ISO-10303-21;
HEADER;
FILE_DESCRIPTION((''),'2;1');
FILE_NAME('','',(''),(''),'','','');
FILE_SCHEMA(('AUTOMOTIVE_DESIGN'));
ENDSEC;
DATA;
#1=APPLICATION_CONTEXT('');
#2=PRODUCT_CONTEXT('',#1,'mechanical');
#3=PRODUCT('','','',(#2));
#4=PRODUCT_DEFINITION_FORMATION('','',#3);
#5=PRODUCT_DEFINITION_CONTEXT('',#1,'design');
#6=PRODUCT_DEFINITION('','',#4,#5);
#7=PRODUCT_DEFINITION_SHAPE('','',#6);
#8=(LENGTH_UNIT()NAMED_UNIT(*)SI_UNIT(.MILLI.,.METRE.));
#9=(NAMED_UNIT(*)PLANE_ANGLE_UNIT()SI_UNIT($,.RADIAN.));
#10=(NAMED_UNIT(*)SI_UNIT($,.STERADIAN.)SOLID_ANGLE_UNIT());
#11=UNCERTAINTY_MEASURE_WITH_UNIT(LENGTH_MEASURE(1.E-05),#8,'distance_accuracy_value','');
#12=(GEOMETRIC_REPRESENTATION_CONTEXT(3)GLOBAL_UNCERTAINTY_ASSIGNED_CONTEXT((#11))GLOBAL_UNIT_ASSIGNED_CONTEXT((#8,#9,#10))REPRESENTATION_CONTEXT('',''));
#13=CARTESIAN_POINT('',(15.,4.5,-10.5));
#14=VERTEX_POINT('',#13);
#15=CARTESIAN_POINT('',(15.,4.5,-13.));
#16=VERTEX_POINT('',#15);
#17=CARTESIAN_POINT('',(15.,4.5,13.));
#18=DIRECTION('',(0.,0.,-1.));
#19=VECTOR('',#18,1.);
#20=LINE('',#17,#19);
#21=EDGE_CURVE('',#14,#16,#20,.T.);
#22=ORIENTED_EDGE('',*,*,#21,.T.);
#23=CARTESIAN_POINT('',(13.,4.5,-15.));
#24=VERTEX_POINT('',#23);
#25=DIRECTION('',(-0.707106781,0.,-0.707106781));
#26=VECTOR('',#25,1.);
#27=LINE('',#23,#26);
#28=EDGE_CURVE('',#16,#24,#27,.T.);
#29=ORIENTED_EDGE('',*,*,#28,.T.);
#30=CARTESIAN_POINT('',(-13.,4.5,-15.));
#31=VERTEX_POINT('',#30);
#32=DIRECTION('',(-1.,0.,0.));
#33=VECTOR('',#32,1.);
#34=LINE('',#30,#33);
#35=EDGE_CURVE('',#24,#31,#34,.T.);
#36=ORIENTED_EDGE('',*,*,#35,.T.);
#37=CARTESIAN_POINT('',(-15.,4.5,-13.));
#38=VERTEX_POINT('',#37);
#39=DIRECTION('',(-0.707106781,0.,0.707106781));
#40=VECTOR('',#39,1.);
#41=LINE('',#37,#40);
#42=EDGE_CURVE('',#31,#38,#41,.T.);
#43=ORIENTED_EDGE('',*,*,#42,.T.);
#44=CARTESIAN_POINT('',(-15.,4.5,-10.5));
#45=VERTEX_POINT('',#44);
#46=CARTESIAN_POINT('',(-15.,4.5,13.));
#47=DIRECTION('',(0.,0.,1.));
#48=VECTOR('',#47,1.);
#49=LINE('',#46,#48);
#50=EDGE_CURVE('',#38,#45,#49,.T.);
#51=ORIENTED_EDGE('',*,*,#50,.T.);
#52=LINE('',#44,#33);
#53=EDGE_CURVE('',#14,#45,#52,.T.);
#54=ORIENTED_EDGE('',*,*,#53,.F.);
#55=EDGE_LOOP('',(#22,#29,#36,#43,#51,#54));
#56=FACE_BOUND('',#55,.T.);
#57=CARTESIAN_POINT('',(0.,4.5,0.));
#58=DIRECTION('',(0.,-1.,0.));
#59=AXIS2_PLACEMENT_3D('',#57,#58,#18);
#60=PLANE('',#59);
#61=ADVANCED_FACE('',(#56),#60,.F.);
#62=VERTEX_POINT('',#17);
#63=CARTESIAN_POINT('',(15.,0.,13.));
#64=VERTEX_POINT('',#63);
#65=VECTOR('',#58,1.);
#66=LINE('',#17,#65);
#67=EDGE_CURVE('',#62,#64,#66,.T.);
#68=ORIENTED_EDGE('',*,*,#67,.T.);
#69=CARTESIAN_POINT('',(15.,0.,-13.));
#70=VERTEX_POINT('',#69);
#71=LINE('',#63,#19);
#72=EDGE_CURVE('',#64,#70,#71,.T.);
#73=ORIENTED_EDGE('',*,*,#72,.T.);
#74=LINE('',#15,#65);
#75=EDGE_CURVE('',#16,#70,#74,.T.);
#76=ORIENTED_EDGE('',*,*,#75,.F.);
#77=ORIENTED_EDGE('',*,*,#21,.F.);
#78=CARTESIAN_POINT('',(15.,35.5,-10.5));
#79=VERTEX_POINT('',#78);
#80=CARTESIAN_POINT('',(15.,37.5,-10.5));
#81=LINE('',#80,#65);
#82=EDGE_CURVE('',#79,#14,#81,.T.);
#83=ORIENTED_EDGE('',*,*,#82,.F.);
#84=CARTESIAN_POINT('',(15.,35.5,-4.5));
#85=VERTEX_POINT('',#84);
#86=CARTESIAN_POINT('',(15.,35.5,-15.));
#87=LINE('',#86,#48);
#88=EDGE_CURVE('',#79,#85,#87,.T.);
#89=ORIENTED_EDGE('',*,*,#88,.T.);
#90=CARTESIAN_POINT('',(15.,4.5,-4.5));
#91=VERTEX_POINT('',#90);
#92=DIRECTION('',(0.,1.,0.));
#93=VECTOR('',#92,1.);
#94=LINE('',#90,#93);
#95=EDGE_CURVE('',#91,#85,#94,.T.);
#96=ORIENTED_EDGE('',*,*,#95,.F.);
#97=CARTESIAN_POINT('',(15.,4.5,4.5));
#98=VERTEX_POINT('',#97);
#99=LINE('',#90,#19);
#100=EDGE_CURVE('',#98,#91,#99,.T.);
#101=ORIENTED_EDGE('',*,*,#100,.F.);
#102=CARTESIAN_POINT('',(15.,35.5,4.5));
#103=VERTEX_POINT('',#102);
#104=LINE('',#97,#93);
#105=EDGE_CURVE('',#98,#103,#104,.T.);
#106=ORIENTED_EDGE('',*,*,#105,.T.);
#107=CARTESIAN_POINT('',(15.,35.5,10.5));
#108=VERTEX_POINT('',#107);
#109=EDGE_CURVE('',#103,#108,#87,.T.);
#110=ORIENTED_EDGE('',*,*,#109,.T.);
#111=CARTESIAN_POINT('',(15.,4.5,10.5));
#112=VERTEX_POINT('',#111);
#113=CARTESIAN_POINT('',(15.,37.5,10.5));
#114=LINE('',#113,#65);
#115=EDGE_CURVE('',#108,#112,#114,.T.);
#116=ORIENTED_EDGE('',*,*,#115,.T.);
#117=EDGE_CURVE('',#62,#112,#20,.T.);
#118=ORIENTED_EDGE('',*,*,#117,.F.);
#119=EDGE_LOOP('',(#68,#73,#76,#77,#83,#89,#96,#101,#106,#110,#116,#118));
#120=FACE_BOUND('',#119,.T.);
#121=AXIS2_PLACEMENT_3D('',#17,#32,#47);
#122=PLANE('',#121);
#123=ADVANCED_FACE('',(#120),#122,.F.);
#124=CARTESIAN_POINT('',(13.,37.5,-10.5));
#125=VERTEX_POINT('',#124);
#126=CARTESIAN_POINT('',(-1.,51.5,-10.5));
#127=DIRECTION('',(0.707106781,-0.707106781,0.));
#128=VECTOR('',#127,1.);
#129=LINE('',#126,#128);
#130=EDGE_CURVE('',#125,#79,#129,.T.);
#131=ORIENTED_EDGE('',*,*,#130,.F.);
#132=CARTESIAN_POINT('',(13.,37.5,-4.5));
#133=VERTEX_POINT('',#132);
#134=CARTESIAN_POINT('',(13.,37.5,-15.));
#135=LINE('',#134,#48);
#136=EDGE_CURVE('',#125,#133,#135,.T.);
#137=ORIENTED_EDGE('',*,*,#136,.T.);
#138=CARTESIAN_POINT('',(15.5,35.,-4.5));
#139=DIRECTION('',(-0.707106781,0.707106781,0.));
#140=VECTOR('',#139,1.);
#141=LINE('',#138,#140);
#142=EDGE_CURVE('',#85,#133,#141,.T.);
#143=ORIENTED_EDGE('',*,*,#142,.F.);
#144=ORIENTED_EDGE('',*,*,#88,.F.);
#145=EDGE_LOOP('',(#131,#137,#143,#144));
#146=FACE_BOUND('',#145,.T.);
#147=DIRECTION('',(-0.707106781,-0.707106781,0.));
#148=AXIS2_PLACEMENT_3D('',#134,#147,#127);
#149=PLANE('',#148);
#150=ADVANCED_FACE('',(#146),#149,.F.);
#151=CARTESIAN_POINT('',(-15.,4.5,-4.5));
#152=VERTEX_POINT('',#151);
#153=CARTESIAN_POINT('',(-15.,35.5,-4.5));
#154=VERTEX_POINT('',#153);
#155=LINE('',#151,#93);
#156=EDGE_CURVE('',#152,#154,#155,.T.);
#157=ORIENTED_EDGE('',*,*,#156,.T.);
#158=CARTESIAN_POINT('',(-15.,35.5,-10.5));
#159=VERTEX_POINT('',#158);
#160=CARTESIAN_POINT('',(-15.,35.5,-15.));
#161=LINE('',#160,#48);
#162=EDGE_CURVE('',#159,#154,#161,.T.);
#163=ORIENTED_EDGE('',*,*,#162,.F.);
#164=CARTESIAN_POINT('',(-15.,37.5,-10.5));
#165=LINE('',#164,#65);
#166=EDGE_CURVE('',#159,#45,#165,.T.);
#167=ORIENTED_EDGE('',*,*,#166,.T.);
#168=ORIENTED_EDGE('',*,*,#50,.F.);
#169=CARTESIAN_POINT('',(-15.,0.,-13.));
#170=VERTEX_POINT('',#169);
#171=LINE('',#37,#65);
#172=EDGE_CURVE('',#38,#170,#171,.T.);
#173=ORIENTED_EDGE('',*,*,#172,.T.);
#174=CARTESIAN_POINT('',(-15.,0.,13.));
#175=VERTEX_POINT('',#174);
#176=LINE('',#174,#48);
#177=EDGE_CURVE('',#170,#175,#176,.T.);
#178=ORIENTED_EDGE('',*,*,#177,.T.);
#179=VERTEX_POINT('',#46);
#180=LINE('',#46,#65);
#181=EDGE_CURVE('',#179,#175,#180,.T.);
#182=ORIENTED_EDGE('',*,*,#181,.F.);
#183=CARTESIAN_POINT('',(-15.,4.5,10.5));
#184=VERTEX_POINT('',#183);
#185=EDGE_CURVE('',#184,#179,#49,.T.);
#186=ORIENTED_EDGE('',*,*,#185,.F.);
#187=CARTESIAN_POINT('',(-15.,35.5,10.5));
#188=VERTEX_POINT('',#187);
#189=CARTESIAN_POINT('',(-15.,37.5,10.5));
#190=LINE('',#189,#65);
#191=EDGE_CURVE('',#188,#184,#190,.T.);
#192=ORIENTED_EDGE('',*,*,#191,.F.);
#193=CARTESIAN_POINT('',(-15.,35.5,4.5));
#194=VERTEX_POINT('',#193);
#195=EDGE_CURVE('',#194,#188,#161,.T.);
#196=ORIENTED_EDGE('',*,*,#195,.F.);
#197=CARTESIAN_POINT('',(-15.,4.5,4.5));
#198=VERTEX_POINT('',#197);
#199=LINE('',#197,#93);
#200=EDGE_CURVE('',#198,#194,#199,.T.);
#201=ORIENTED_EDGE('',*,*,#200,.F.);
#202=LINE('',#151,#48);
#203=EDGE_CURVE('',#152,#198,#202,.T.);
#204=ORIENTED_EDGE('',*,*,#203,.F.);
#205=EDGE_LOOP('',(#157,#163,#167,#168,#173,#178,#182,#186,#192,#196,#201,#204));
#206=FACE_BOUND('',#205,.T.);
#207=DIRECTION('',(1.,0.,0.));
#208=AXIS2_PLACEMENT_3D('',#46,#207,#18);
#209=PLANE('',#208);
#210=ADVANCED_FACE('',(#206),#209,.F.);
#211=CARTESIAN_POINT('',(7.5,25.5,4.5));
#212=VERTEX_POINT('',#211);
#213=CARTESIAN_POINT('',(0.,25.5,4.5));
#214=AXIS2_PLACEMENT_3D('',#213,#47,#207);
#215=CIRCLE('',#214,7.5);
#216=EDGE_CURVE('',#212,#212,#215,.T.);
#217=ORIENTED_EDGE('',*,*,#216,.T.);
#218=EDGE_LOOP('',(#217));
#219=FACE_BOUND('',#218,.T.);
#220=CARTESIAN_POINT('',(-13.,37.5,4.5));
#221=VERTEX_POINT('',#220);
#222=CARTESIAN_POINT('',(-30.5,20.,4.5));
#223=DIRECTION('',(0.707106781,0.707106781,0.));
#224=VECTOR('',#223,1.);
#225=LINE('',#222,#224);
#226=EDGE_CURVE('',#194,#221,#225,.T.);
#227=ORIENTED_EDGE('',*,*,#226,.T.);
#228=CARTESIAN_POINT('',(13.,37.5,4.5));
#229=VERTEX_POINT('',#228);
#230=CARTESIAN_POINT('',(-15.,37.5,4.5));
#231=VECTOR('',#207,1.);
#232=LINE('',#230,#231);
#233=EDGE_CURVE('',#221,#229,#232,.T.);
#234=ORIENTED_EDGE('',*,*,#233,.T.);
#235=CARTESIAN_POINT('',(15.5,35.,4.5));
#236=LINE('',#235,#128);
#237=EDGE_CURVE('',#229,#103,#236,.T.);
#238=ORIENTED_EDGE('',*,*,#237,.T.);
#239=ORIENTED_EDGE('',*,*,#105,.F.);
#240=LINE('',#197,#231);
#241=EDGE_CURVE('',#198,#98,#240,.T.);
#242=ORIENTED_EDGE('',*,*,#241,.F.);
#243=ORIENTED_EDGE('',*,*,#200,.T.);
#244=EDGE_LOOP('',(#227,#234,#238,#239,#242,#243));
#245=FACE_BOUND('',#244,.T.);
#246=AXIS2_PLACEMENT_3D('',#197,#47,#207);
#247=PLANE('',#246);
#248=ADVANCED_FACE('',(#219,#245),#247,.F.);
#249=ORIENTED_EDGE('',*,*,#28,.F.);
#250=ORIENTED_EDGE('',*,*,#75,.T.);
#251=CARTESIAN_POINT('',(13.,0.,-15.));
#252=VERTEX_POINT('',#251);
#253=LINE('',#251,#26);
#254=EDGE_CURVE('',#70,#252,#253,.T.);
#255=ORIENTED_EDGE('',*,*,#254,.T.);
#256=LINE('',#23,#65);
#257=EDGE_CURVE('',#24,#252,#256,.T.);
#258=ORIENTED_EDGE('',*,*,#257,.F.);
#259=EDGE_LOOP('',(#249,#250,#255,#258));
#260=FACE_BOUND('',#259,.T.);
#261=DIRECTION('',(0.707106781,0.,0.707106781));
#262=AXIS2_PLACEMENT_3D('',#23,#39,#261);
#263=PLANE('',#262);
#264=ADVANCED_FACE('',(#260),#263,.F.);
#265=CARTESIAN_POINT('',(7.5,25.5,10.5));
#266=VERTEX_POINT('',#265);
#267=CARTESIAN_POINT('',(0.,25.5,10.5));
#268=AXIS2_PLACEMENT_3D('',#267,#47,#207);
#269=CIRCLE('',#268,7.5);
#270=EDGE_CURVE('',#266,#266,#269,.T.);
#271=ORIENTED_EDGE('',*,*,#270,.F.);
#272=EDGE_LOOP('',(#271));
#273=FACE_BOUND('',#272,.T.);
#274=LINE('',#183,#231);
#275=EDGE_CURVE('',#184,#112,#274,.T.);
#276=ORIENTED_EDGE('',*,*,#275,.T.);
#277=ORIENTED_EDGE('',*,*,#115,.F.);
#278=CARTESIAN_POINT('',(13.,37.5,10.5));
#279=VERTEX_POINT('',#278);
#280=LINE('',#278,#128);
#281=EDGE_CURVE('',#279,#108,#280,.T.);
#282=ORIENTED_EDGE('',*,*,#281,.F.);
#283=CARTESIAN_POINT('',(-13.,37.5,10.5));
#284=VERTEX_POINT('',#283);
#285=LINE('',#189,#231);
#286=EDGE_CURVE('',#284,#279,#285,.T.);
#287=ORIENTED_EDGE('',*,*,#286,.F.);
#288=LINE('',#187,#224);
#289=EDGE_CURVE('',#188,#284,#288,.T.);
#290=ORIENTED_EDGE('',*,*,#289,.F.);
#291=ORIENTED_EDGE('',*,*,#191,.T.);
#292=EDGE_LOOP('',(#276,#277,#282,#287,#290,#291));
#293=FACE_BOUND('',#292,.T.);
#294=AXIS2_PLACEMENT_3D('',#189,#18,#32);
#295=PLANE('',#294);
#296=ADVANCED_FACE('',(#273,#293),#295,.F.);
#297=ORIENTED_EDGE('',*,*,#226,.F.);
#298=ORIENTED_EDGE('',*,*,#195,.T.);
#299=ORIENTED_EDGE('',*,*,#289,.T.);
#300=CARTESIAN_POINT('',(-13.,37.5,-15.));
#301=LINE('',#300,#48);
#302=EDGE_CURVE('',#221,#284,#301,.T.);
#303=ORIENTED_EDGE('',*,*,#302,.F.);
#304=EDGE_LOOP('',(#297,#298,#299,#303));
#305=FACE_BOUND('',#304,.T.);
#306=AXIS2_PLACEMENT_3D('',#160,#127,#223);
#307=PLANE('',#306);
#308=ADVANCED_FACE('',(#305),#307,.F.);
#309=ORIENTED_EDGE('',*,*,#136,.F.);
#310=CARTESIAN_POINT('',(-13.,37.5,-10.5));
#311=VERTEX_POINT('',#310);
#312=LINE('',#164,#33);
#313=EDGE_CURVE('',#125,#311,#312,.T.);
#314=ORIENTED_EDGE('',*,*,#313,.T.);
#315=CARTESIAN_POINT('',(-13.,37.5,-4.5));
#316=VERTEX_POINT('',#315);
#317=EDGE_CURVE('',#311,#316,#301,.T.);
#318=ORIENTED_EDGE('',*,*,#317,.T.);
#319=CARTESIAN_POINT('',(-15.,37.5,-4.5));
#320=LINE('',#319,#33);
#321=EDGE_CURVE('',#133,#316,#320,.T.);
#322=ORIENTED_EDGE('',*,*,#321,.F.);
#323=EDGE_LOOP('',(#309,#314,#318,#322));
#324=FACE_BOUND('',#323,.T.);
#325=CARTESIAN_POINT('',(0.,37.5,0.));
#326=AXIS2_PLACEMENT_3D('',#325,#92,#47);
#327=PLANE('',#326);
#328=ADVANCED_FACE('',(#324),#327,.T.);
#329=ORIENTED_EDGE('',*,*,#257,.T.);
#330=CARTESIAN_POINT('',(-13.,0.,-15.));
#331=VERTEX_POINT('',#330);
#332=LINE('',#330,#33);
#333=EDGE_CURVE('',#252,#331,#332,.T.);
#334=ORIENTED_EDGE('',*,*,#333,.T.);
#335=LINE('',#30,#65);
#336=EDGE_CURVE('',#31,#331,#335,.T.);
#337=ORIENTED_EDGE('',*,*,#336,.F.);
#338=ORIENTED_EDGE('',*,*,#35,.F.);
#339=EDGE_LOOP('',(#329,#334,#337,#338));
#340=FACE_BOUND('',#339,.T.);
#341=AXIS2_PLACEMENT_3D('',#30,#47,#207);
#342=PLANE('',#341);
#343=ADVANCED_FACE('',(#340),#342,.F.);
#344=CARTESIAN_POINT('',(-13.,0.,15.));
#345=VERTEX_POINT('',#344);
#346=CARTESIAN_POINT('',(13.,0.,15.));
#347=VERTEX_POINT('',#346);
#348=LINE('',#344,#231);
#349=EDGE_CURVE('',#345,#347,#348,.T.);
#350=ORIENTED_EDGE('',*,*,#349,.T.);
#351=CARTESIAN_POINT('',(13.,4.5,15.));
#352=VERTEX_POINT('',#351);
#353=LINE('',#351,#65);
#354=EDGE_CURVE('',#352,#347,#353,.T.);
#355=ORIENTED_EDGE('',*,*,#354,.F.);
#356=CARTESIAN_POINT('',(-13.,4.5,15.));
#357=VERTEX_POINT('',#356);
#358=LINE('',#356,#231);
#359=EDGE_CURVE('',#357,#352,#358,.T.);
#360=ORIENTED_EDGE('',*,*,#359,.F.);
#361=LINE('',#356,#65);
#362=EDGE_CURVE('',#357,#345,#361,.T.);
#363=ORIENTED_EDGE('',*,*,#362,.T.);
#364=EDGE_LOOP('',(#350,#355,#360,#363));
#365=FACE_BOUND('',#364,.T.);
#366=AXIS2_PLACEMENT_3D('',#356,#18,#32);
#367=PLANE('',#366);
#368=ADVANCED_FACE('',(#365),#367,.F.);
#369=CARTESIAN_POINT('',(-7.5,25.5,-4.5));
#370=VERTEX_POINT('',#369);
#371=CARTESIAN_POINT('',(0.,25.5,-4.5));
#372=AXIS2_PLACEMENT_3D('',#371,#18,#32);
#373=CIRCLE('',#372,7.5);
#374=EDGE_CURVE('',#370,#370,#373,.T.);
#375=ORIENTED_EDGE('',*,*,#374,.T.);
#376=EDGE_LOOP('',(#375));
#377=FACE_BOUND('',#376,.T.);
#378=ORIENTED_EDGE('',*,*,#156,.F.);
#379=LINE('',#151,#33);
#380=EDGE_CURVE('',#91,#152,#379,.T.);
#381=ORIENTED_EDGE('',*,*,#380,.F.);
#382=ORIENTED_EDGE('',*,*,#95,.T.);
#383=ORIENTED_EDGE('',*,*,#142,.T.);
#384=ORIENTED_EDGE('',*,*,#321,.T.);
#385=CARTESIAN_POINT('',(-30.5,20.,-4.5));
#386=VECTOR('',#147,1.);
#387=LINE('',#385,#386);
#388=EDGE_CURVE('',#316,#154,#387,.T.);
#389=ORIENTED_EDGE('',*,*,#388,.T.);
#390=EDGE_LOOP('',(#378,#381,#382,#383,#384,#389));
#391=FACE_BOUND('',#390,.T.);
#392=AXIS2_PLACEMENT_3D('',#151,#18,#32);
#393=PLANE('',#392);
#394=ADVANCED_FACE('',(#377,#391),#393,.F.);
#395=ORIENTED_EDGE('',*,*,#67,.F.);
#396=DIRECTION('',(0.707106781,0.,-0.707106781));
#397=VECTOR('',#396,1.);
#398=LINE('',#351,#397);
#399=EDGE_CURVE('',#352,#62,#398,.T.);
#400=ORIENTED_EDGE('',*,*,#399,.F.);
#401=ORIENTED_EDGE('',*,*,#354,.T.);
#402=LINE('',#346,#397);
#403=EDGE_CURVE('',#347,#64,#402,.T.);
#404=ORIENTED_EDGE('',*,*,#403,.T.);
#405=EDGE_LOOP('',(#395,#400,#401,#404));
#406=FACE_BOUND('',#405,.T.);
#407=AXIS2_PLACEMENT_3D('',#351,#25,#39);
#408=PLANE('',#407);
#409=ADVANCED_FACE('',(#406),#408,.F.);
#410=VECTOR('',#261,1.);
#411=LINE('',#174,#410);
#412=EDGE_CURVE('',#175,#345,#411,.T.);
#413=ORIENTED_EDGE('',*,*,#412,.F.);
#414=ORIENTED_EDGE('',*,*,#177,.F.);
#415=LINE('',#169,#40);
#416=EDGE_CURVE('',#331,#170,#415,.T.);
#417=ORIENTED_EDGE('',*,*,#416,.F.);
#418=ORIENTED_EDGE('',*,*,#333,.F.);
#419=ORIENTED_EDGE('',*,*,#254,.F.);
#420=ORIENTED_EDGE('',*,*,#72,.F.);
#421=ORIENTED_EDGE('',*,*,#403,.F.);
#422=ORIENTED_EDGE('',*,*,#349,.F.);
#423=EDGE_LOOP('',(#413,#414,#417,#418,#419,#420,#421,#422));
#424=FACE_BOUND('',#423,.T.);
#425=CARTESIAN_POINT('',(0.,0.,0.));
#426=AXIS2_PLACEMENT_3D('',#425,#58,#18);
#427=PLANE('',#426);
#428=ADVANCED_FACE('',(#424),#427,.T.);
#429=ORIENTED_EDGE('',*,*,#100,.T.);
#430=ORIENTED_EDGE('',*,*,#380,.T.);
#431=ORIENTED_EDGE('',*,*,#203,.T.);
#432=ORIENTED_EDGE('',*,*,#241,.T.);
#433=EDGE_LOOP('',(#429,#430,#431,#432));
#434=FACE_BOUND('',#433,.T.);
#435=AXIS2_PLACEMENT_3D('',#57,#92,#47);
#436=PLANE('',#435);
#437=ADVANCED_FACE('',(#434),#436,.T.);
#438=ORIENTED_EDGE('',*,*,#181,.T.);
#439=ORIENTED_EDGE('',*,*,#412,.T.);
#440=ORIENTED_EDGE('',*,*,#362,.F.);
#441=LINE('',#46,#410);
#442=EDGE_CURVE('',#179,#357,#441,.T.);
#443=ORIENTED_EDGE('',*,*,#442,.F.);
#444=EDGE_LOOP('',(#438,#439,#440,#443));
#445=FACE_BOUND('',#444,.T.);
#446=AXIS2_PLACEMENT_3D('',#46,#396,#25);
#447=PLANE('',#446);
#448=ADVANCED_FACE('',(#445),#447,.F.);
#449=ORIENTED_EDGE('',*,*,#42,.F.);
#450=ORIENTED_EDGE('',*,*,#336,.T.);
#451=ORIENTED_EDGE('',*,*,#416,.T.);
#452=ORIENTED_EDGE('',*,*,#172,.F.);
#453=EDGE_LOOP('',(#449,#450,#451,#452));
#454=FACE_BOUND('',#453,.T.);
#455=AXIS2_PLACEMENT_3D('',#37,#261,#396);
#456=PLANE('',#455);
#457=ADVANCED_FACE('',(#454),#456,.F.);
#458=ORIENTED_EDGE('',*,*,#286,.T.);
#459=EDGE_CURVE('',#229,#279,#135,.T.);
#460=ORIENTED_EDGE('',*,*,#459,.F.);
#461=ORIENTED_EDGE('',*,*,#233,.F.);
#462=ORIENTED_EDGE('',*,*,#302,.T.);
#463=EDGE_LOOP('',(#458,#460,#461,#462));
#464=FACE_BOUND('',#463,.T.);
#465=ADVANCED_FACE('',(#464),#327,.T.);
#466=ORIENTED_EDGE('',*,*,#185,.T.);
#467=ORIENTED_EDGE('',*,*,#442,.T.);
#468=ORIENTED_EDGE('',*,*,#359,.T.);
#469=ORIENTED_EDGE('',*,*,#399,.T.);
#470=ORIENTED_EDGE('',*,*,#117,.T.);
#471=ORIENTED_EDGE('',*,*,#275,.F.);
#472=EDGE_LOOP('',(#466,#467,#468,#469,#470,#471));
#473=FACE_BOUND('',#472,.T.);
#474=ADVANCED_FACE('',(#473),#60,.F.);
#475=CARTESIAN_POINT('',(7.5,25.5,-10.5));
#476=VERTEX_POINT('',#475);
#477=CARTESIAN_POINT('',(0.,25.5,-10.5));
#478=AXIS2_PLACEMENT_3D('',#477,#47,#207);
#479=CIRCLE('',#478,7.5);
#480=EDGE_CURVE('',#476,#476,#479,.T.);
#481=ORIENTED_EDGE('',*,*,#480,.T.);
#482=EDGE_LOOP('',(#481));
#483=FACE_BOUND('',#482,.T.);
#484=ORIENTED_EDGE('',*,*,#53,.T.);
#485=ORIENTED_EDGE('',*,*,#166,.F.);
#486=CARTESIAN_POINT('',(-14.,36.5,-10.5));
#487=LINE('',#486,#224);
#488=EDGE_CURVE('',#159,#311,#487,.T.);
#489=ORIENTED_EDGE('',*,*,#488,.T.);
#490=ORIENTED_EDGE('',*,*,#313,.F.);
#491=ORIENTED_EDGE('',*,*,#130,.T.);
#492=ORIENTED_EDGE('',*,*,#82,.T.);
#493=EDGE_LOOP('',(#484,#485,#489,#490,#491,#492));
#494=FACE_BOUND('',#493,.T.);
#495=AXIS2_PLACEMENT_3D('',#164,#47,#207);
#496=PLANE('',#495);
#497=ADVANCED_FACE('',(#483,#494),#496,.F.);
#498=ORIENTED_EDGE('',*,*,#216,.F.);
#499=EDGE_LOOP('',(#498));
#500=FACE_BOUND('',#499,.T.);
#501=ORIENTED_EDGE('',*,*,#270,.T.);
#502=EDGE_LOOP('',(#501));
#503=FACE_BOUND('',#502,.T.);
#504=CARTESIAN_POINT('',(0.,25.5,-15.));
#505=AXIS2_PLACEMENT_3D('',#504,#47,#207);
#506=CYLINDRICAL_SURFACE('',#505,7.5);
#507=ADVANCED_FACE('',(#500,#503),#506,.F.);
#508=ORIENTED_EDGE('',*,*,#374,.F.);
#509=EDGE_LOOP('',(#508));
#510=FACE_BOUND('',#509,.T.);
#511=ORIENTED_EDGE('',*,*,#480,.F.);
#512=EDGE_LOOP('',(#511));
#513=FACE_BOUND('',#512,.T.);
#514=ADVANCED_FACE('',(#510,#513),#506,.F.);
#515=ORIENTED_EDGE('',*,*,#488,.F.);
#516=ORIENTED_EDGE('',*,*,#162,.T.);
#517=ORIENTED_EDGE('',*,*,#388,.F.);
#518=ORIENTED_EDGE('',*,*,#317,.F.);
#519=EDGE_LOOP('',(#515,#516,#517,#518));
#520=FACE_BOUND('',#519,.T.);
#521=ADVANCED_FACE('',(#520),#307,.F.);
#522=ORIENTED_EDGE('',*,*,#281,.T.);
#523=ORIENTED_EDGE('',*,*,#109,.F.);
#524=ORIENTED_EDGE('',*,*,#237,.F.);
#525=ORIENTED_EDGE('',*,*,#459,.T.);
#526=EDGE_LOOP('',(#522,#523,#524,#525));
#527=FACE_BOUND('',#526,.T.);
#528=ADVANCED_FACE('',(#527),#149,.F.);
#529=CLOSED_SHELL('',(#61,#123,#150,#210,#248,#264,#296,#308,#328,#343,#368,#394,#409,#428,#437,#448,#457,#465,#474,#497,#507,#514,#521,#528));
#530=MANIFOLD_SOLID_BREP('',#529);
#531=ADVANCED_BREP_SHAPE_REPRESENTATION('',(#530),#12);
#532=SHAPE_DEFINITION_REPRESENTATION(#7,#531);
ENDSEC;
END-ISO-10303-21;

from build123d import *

# Parameters (mm, degrees)
EXTRUDE_1_DEPTH     = 4.5
SKETCH_2_W          = 30
SKETCH_2_H          = 21
EXTRUDE_2_DEPTH     = 33
SKETCH_3_W          = 30
SKETCH_3_H          = 9
CUT_EXTRUDE_1_DEPTH = 33
SKETCH_4_R          = 7.5
CUT_EXTRUDE_2_DEPTH = 48.765049984
CUT_EXTRUDE_6_DEPTH = 48.765049984


with BuildPart() as part:
    # 草图1 → 凸台-拉伸1 (new body)
    with BuildSketch(Plane(origin=(0, 0, 0), x_dir=(1, 0, 0), z_dir=(0, 1, 0))):
        Polygon((-15, 13), (-13, 15), (13, 15), (15, 13), (15, -13), (13, -15), (-13, -15), (-15, -13), align=None)
    extrude(amount=EXTRUDE_1_DEPTH)

    # 草图2 → 凸台-拉伸2 (add)
    with BuildSketch(Plane(origin=(0, 4.5, 0), x_dir=(1, 0, 0), z_dir=(0, 1, 0))):
        Rectangle(SKETCH_2_W, SKETCH_2_H)
    extrude(amount=EXTRUDE_2_DEPTH)

    # 草图3 → 切除-拉伸1 (cut)
    with BuildSketch(Plane(origin=(0, 37.5, 0), x_dir=(1, 0, 0), z_dir=(0, 1, 0))):
        Rectangle(SKETCH_3_W, SKETCH_3_H)
    extrude(amount=-CUT_EXTRUDE_1_DEPTH, mode=Mode.SUBTRACT)

    # 草图4 → 切除-拉伸2 (cut, through all)
    with BuildSketch(Plane.XY.offset(10.5)):
        with Locations((0, 25.5)):
            Circle(SKETCH_4_R)
    extrude(amount=-CUT_EXTRUDE_2_DEPTH, mode=Mode.SUBTRACT)

    # 草图9 → 切除-拉伸6 (cut, through all)
    with BuildSketch(Plane.XY.offset(10.5)):
        Polygon((-15, 35.5), (-13, 37.5), (-15, 37.5), align=None)
        Polygon((13, 37.5), (15, 35.5), (15, 37.5), align=None)
    extrude(amount=-CUT_EXTRUDE_6_DEPTH, mode=Mode.SUBTRACT)


solid = part.part
